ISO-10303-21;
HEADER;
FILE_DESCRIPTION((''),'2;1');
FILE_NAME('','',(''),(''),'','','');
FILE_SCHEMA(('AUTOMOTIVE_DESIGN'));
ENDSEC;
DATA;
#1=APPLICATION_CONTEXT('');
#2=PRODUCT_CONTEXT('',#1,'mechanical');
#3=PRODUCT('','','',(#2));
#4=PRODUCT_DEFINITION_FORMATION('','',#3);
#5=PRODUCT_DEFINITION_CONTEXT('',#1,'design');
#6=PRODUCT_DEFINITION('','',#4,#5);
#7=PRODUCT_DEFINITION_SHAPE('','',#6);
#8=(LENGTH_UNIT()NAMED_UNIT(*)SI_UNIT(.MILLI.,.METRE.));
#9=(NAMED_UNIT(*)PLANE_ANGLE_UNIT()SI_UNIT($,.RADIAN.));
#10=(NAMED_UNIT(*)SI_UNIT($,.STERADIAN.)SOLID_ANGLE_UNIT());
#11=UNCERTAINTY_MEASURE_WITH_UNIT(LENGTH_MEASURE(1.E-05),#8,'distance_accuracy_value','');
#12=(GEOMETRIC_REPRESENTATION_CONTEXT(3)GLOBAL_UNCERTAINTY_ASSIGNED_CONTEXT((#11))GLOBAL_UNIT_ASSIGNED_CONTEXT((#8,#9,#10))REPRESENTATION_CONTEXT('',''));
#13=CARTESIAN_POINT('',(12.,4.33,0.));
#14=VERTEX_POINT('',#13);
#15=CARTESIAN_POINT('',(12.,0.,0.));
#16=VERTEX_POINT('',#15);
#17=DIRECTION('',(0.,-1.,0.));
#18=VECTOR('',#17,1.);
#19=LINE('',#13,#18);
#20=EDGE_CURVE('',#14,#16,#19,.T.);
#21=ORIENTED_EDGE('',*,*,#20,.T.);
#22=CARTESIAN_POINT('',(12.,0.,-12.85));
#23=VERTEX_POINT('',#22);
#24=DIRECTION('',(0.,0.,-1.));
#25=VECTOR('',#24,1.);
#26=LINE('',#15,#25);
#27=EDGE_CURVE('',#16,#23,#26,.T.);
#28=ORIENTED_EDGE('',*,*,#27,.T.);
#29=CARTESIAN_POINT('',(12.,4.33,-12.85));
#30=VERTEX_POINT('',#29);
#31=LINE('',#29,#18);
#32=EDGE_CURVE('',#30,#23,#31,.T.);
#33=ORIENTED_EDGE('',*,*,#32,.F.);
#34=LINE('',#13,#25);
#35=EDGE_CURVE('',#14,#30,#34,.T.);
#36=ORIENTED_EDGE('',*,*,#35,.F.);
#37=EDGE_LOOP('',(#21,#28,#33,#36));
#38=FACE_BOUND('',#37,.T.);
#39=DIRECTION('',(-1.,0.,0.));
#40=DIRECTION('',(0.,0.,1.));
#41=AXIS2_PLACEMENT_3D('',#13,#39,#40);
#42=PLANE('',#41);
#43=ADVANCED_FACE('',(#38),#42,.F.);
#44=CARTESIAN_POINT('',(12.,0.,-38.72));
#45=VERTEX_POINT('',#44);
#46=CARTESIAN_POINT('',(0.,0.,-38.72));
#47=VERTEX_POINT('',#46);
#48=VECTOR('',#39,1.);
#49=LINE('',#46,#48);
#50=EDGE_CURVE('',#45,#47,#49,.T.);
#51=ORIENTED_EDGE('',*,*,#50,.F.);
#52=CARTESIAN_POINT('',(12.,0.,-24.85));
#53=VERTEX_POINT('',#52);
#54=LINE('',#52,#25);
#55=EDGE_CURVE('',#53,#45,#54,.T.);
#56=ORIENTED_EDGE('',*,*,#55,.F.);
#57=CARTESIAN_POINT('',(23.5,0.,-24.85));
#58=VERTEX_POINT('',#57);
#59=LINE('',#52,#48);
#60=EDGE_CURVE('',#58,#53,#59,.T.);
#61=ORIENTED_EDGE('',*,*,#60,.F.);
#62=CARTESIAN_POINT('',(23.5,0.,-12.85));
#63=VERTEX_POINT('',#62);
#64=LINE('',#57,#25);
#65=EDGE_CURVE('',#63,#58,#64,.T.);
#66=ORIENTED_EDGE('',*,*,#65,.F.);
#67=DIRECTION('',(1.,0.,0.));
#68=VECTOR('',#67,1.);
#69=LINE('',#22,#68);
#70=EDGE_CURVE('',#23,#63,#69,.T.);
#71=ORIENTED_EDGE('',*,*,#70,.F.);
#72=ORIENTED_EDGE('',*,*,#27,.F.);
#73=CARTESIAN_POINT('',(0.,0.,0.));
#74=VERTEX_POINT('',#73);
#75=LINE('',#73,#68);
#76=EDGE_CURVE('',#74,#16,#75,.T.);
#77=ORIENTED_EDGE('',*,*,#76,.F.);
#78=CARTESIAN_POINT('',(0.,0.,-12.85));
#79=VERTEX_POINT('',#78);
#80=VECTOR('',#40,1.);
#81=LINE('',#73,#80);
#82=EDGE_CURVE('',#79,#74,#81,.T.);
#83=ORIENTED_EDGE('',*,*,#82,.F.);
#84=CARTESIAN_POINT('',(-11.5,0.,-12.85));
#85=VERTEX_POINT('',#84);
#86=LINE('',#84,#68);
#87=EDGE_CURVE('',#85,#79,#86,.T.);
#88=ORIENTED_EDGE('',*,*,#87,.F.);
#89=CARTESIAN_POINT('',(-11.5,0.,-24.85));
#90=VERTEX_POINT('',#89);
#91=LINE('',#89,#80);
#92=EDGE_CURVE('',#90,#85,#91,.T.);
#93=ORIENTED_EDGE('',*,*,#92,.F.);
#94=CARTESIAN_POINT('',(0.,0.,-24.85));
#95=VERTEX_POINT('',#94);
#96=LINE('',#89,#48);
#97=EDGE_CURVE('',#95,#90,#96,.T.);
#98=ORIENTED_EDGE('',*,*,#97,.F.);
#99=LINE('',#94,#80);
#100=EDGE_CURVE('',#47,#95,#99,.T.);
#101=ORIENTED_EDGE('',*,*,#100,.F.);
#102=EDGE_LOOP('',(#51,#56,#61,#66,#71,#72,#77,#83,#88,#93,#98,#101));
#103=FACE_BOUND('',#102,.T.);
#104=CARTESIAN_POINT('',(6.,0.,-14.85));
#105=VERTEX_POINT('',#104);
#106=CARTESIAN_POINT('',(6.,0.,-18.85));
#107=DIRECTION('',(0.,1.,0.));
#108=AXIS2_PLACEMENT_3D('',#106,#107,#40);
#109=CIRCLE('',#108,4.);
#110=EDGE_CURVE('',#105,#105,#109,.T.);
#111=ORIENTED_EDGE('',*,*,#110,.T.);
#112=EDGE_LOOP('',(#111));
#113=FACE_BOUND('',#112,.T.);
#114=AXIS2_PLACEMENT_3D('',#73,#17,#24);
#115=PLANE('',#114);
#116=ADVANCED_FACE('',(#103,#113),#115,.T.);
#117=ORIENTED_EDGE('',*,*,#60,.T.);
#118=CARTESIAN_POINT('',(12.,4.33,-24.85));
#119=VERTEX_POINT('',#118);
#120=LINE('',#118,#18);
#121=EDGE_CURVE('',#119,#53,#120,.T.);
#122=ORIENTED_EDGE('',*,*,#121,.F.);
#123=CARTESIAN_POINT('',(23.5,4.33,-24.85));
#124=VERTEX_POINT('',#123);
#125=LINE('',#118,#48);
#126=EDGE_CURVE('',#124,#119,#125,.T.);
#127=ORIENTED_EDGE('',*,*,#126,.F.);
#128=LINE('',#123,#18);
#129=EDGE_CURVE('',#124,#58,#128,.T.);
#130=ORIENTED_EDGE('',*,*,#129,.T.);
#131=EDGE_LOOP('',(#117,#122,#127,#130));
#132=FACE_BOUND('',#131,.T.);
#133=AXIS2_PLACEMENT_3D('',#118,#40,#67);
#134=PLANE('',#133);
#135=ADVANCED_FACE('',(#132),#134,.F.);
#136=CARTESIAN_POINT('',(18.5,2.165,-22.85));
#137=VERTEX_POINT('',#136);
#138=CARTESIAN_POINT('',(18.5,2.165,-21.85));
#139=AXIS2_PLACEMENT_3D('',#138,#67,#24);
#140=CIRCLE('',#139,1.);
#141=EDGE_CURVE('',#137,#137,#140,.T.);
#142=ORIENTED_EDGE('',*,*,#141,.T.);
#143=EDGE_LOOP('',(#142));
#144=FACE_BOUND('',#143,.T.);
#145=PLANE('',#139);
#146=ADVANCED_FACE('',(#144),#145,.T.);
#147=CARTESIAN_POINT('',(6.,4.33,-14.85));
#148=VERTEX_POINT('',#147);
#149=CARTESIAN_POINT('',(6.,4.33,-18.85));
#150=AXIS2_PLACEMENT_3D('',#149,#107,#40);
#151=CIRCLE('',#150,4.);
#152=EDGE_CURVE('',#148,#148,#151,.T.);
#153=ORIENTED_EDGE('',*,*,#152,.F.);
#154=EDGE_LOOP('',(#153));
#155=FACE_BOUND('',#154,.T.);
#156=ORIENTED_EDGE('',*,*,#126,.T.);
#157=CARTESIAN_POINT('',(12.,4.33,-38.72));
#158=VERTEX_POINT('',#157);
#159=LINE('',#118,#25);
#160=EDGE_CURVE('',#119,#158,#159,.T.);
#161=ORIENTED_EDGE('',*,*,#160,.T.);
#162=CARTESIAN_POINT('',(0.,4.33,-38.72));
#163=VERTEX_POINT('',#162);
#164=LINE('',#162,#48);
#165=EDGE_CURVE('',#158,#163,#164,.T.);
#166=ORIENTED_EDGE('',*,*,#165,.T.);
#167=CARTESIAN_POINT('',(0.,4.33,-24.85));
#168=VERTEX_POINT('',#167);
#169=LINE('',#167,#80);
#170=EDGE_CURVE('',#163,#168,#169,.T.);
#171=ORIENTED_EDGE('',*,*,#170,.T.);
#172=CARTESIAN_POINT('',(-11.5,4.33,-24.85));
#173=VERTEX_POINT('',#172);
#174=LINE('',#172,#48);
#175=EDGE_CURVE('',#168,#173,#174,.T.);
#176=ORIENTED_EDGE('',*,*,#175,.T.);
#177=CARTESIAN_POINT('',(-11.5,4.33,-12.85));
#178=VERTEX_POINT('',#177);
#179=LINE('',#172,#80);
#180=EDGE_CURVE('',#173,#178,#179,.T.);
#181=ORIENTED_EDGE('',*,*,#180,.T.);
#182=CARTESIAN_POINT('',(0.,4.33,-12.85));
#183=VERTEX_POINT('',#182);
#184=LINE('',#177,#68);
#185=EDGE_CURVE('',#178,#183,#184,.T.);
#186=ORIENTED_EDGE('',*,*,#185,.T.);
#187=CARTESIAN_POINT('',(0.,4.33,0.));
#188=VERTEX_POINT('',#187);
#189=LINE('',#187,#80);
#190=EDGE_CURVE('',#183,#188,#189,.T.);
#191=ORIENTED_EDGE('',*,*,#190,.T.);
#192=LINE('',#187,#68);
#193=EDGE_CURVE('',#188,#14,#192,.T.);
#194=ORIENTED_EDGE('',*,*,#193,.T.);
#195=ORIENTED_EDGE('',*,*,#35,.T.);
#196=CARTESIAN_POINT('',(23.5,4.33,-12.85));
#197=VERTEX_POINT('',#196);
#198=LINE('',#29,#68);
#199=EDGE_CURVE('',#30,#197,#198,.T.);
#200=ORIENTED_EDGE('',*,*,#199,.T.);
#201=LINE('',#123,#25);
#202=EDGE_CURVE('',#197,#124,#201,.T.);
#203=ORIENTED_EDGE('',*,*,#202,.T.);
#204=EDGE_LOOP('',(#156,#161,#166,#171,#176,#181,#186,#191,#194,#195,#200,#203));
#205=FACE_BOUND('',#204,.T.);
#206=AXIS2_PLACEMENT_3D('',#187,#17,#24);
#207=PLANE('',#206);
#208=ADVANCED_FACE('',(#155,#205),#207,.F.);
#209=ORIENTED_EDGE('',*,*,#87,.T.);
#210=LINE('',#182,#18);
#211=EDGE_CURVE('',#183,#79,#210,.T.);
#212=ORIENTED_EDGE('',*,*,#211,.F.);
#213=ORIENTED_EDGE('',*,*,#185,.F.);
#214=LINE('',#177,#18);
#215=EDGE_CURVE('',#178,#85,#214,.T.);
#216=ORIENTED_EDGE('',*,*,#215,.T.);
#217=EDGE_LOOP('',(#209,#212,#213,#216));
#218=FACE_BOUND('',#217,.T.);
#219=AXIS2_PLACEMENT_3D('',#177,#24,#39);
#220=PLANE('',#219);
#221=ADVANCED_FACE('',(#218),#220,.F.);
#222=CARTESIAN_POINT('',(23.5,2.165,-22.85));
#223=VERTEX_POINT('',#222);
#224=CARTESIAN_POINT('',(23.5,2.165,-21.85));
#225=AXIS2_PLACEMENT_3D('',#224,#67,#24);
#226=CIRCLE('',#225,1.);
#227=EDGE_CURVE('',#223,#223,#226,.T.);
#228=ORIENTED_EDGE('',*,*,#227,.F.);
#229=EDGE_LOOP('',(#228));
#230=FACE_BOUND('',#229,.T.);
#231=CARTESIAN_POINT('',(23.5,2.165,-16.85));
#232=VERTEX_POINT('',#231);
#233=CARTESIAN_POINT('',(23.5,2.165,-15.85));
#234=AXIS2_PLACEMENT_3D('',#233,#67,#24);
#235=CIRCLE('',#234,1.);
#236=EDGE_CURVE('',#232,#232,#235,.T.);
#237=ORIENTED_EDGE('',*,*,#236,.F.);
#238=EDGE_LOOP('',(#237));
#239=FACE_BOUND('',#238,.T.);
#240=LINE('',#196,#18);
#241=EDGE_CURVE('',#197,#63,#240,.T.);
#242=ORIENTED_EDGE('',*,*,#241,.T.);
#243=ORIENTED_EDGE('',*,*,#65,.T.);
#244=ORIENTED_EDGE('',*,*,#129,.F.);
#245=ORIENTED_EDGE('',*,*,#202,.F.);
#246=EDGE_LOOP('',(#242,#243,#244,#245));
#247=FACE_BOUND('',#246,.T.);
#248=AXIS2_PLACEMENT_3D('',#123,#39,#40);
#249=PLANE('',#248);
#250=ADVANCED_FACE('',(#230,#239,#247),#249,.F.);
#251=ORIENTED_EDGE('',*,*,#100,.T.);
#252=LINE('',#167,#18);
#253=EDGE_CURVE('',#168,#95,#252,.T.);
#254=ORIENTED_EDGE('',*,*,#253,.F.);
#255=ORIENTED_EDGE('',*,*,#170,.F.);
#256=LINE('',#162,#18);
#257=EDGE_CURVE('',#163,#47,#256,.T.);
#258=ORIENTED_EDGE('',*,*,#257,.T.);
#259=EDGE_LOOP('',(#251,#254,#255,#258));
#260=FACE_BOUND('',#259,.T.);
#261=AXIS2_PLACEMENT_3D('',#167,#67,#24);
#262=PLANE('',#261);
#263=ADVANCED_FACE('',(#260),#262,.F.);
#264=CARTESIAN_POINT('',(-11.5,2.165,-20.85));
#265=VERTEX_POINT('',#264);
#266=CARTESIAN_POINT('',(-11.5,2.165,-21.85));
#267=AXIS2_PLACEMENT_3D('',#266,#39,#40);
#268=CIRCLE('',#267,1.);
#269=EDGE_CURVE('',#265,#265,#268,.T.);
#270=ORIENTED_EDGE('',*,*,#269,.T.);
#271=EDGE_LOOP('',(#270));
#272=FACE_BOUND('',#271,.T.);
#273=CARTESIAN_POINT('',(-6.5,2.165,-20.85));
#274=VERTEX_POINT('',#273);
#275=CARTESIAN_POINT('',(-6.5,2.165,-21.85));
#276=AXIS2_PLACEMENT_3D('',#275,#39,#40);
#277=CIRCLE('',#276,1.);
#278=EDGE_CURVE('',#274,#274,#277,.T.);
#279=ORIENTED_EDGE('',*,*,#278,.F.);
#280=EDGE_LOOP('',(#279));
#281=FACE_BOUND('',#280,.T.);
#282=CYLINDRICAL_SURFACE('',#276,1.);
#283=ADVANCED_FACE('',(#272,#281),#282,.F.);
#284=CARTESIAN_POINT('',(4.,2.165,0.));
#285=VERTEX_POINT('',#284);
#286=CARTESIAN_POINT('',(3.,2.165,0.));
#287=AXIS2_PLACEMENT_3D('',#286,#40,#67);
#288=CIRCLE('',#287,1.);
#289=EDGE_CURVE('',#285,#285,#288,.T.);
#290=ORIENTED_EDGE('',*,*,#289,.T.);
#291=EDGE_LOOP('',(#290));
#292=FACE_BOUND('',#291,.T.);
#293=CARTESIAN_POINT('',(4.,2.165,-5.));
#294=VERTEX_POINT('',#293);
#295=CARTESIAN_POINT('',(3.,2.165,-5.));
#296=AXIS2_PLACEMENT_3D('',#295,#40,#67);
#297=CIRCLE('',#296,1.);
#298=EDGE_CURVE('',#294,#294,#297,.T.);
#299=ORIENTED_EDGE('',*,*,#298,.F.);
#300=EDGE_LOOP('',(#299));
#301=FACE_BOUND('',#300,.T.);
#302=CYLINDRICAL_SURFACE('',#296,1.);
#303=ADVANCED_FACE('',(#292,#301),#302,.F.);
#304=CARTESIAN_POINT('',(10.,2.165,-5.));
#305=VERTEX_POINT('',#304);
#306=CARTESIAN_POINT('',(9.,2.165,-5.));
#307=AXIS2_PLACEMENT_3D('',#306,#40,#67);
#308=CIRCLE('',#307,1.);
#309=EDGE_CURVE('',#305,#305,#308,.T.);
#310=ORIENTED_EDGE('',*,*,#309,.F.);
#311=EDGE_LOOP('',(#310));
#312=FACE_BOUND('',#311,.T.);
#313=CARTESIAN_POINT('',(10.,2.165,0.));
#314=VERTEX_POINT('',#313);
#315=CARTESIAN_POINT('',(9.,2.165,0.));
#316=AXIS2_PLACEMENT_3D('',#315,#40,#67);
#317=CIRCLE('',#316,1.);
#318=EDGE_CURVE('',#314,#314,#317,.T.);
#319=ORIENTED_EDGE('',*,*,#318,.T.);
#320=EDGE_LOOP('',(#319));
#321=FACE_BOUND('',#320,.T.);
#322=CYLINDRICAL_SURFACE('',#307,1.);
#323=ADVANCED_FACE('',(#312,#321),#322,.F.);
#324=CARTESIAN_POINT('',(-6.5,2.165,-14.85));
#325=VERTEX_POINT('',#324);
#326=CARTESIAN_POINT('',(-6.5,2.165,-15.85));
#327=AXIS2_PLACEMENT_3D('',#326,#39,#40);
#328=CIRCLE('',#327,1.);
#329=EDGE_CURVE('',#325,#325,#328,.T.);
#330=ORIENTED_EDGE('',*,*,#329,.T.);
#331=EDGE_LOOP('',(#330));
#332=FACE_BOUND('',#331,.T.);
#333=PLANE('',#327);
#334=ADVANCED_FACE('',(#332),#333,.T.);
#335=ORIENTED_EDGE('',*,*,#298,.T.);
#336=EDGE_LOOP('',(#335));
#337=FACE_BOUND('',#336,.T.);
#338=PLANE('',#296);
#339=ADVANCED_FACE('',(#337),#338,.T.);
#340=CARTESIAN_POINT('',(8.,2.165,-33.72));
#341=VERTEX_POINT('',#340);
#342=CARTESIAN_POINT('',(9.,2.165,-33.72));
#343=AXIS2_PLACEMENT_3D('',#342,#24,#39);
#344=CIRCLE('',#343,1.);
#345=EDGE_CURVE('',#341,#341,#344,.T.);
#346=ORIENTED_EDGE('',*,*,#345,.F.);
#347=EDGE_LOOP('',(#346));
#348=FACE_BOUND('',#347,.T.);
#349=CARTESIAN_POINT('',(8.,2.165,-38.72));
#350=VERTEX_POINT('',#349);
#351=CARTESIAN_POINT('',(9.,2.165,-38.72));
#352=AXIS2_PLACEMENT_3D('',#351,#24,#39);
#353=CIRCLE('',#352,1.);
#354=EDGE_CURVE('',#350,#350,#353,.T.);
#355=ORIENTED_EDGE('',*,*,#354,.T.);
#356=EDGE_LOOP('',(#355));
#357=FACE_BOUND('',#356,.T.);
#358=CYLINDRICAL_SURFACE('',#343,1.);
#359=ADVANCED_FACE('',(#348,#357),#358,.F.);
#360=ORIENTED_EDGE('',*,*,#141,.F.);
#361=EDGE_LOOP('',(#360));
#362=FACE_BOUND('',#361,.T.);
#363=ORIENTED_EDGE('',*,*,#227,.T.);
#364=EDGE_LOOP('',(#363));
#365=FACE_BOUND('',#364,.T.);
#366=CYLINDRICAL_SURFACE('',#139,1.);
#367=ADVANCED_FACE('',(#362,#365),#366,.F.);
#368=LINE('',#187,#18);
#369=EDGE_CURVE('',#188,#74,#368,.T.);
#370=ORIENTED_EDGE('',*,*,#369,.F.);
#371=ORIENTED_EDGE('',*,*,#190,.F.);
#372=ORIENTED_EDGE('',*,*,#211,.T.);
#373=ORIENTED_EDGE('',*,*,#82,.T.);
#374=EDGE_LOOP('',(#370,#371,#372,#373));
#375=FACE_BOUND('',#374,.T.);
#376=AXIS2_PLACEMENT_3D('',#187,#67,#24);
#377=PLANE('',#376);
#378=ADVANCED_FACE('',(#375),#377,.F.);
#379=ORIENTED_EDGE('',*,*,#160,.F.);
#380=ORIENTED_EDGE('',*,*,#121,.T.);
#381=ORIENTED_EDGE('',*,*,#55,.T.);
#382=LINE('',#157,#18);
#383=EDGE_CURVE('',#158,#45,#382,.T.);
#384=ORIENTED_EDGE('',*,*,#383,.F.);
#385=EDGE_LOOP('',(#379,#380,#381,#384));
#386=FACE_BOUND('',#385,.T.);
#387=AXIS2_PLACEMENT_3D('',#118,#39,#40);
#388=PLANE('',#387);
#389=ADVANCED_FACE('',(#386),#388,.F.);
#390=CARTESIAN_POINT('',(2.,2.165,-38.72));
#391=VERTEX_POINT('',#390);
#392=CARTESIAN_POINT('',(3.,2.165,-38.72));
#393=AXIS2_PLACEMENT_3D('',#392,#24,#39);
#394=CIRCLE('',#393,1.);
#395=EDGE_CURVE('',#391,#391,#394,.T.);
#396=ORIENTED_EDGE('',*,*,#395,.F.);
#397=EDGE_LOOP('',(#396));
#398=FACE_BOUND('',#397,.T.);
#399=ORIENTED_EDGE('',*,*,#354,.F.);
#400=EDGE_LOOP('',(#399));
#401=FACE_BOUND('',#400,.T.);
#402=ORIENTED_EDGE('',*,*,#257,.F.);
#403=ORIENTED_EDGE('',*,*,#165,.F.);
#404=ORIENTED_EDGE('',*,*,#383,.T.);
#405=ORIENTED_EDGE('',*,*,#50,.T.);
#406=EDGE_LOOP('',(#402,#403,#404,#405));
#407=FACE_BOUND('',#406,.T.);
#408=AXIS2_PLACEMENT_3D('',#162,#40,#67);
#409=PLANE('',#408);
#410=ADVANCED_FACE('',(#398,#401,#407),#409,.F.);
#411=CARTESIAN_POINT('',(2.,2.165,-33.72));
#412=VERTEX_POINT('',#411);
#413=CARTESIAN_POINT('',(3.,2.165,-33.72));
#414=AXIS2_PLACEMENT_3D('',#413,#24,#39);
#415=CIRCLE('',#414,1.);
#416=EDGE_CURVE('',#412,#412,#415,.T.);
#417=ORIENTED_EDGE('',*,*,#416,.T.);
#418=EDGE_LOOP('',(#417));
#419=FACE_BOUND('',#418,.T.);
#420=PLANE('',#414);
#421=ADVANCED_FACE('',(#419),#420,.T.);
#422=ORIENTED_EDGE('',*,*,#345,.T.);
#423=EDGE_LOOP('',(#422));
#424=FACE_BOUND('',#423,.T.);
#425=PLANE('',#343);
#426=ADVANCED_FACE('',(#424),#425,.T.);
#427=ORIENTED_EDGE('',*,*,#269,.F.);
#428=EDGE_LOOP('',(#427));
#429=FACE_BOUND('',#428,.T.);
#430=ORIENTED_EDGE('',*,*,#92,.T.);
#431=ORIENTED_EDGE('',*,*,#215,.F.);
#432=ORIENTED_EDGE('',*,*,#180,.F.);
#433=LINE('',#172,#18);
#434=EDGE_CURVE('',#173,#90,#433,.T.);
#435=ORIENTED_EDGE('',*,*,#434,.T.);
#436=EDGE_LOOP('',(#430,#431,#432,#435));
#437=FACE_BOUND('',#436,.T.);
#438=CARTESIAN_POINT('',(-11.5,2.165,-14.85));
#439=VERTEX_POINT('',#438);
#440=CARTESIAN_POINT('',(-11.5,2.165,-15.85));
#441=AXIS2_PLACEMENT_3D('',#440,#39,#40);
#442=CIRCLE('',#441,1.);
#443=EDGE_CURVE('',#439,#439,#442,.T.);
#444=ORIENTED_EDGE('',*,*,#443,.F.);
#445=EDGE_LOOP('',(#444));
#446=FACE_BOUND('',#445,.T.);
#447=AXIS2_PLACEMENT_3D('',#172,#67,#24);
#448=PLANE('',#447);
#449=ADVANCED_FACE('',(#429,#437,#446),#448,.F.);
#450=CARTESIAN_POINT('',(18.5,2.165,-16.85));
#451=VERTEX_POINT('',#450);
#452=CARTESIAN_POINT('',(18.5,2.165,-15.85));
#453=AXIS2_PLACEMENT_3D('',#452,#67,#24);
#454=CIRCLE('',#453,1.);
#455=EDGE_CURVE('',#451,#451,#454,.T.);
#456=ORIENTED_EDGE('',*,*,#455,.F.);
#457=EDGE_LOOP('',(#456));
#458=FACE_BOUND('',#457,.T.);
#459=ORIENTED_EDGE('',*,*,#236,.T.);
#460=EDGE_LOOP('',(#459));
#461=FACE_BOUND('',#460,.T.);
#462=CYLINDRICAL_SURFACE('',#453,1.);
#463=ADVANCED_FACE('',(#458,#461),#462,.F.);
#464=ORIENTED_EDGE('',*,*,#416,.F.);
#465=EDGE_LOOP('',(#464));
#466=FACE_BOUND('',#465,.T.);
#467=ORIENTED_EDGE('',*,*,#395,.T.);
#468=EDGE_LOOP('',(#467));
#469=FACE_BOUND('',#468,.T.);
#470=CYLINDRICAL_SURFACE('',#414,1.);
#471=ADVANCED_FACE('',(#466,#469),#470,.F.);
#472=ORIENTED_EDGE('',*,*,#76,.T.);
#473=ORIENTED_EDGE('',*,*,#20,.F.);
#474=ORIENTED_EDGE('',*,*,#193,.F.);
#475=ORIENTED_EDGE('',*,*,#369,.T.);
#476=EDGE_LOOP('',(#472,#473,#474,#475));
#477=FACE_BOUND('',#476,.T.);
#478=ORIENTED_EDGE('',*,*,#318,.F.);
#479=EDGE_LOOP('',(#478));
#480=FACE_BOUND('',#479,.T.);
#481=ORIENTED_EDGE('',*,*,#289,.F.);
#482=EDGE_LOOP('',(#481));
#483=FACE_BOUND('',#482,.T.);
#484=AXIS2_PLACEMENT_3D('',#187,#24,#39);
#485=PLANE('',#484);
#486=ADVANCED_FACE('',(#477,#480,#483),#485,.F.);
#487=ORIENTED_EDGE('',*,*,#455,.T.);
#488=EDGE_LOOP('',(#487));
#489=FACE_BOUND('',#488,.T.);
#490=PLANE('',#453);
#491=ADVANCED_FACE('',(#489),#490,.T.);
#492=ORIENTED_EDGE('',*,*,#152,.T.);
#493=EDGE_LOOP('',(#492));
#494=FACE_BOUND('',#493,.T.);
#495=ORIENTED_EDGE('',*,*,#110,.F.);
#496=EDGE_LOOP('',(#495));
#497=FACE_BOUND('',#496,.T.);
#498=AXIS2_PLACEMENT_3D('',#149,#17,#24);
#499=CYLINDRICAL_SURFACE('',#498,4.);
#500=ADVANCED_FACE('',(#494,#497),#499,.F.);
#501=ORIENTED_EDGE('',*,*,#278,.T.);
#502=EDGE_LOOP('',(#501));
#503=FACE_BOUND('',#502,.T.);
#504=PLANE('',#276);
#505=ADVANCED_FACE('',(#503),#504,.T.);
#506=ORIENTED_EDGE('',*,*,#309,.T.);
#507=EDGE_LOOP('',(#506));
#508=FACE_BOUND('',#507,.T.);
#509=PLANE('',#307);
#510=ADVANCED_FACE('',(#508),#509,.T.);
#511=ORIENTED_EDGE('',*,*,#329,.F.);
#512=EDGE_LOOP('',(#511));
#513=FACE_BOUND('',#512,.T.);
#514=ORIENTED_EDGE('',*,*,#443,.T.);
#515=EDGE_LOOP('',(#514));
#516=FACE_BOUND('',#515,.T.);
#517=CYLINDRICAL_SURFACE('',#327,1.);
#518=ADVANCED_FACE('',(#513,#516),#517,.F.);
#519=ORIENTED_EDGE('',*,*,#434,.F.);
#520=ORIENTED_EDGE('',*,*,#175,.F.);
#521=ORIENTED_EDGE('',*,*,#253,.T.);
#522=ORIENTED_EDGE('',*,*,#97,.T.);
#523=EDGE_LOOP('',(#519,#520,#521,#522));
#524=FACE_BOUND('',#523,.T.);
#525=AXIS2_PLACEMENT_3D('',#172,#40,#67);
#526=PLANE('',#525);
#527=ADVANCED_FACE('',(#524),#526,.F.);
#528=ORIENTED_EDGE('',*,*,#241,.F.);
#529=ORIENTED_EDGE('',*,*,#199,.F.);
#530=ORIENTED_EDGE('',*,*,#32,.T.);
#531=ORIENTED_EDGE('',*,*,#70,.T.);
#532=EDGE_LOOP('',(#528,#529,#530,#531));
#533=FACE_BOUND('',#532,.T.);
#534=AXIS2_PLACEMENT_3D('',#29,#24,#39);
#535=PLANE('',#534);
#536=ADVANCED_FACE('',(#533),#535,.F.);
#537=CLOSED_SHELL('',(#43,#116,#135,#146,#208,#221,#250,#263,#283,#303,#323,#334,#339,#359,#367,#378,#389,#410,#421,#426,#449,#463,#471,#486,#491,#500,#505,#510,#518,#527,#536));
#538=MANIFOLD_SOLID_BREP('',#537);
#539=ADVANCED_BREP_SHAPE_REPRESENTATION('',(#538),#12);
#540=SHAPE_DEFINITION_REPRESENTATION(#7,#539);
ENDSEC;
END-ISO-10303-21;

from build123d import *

# Parameters (mm, degrees)
SKETCH2_R           = 4
BOSS_EXTRUDE1_DEPTH = 4.33
SKETCH3_R           = 1
CUT_EXTRUDE1_DEPTH  = 5
SKETCH4_R           = 1
CUT_EXTRUDE2_DEPTH  = 5
SKETCH5_R           = 1
CUT_EXTRUDE3_DEPTH  = 5
SKETCH6_R           = 1
CUT_EXTRUDE4_DEPTH  = 5


with BuildPart() as part:
    # Sketch2 → Boss-Extrude1 (new body)
    with BuildSketch(Plane(origin=(0, 0, 0), x_dir=(1, 0, 0), z_dir=(0, 1, 0))):
        Polygon((0, 0), (12, 0), (12, 12.85), (23.5, 12.85), (23.5, 24.85), (12, 24.85), (12, 38.72), (0, 38.72), (0, 24.85), (-11.5, 24.85), (-11.5, 12.85), (0, 12.85), align=None)
        with Locations((6, 18.85)):
            Circle(SKETCH2_R, mode=Mode.SUBTRACT)
    extrude(amount=BOSS_EXTRUDE1_DEPTH)

    # Sketch3 → Cut-Extrude1 (cut)
    with BuildSketch(Plane.XY):
        with Locations((3, 2.165)):
            Circle(SKETCH3_R)
        with Locations((9, 2.165)):
            Circle(SKETCH3_R)
    extrude(amount=-CUT_EXTRUDE1_DEPTH, mode=Mode.SUBTRACT)

    # Sketch4 → Cut-Extrude2 (cut)
    with BuildSketch(Plane.ZY.offset(11.5)):
        with Locations((-21.85, 2.165)):
            Circle(SKETCH4_R)
        with Locations((-15.85, 2.165)):
            Circle(SKETCH4_R)
    extrude(amount=-CUT_EXTRUDE2_DEPTH, mode=Mode.SUBTRACT)

    # Sketch5 → Cut-Extrude3 (cut)
    with BuildSketch(Plane(origin=(0, 0, -38.72), x_dir=(-1, 0, 0), z_dir=(0, 0, -1))):
        with Locations((-9, 2.165)):
            Circle(SKETCH5_R)
        with Locations((-3, 2.165)):
            Circle(SKETCH5_R)
    extrude(amount=-CUT_EXTRUDE3_DEPTH, mode=Mode.SUBTRACT)

    # Sketch6 → Cut-Extrude4 (cut)
    with BuildSketch(Plane(origin=(23.5, 0, 0), x_dir=(0, 0, -1), z_dir=(1, 0, 0))):
        with Locations((15.85, 2.165)):
            Circle(SKETCH6_R)
        with Locations((21.85, 2.165)):
            Circle(SKETCH6_R)
    extrude(amount=-CUT_EXTRUDE4_DEPTH, mode=Mode.SUBTRACT)


solid = part.part
